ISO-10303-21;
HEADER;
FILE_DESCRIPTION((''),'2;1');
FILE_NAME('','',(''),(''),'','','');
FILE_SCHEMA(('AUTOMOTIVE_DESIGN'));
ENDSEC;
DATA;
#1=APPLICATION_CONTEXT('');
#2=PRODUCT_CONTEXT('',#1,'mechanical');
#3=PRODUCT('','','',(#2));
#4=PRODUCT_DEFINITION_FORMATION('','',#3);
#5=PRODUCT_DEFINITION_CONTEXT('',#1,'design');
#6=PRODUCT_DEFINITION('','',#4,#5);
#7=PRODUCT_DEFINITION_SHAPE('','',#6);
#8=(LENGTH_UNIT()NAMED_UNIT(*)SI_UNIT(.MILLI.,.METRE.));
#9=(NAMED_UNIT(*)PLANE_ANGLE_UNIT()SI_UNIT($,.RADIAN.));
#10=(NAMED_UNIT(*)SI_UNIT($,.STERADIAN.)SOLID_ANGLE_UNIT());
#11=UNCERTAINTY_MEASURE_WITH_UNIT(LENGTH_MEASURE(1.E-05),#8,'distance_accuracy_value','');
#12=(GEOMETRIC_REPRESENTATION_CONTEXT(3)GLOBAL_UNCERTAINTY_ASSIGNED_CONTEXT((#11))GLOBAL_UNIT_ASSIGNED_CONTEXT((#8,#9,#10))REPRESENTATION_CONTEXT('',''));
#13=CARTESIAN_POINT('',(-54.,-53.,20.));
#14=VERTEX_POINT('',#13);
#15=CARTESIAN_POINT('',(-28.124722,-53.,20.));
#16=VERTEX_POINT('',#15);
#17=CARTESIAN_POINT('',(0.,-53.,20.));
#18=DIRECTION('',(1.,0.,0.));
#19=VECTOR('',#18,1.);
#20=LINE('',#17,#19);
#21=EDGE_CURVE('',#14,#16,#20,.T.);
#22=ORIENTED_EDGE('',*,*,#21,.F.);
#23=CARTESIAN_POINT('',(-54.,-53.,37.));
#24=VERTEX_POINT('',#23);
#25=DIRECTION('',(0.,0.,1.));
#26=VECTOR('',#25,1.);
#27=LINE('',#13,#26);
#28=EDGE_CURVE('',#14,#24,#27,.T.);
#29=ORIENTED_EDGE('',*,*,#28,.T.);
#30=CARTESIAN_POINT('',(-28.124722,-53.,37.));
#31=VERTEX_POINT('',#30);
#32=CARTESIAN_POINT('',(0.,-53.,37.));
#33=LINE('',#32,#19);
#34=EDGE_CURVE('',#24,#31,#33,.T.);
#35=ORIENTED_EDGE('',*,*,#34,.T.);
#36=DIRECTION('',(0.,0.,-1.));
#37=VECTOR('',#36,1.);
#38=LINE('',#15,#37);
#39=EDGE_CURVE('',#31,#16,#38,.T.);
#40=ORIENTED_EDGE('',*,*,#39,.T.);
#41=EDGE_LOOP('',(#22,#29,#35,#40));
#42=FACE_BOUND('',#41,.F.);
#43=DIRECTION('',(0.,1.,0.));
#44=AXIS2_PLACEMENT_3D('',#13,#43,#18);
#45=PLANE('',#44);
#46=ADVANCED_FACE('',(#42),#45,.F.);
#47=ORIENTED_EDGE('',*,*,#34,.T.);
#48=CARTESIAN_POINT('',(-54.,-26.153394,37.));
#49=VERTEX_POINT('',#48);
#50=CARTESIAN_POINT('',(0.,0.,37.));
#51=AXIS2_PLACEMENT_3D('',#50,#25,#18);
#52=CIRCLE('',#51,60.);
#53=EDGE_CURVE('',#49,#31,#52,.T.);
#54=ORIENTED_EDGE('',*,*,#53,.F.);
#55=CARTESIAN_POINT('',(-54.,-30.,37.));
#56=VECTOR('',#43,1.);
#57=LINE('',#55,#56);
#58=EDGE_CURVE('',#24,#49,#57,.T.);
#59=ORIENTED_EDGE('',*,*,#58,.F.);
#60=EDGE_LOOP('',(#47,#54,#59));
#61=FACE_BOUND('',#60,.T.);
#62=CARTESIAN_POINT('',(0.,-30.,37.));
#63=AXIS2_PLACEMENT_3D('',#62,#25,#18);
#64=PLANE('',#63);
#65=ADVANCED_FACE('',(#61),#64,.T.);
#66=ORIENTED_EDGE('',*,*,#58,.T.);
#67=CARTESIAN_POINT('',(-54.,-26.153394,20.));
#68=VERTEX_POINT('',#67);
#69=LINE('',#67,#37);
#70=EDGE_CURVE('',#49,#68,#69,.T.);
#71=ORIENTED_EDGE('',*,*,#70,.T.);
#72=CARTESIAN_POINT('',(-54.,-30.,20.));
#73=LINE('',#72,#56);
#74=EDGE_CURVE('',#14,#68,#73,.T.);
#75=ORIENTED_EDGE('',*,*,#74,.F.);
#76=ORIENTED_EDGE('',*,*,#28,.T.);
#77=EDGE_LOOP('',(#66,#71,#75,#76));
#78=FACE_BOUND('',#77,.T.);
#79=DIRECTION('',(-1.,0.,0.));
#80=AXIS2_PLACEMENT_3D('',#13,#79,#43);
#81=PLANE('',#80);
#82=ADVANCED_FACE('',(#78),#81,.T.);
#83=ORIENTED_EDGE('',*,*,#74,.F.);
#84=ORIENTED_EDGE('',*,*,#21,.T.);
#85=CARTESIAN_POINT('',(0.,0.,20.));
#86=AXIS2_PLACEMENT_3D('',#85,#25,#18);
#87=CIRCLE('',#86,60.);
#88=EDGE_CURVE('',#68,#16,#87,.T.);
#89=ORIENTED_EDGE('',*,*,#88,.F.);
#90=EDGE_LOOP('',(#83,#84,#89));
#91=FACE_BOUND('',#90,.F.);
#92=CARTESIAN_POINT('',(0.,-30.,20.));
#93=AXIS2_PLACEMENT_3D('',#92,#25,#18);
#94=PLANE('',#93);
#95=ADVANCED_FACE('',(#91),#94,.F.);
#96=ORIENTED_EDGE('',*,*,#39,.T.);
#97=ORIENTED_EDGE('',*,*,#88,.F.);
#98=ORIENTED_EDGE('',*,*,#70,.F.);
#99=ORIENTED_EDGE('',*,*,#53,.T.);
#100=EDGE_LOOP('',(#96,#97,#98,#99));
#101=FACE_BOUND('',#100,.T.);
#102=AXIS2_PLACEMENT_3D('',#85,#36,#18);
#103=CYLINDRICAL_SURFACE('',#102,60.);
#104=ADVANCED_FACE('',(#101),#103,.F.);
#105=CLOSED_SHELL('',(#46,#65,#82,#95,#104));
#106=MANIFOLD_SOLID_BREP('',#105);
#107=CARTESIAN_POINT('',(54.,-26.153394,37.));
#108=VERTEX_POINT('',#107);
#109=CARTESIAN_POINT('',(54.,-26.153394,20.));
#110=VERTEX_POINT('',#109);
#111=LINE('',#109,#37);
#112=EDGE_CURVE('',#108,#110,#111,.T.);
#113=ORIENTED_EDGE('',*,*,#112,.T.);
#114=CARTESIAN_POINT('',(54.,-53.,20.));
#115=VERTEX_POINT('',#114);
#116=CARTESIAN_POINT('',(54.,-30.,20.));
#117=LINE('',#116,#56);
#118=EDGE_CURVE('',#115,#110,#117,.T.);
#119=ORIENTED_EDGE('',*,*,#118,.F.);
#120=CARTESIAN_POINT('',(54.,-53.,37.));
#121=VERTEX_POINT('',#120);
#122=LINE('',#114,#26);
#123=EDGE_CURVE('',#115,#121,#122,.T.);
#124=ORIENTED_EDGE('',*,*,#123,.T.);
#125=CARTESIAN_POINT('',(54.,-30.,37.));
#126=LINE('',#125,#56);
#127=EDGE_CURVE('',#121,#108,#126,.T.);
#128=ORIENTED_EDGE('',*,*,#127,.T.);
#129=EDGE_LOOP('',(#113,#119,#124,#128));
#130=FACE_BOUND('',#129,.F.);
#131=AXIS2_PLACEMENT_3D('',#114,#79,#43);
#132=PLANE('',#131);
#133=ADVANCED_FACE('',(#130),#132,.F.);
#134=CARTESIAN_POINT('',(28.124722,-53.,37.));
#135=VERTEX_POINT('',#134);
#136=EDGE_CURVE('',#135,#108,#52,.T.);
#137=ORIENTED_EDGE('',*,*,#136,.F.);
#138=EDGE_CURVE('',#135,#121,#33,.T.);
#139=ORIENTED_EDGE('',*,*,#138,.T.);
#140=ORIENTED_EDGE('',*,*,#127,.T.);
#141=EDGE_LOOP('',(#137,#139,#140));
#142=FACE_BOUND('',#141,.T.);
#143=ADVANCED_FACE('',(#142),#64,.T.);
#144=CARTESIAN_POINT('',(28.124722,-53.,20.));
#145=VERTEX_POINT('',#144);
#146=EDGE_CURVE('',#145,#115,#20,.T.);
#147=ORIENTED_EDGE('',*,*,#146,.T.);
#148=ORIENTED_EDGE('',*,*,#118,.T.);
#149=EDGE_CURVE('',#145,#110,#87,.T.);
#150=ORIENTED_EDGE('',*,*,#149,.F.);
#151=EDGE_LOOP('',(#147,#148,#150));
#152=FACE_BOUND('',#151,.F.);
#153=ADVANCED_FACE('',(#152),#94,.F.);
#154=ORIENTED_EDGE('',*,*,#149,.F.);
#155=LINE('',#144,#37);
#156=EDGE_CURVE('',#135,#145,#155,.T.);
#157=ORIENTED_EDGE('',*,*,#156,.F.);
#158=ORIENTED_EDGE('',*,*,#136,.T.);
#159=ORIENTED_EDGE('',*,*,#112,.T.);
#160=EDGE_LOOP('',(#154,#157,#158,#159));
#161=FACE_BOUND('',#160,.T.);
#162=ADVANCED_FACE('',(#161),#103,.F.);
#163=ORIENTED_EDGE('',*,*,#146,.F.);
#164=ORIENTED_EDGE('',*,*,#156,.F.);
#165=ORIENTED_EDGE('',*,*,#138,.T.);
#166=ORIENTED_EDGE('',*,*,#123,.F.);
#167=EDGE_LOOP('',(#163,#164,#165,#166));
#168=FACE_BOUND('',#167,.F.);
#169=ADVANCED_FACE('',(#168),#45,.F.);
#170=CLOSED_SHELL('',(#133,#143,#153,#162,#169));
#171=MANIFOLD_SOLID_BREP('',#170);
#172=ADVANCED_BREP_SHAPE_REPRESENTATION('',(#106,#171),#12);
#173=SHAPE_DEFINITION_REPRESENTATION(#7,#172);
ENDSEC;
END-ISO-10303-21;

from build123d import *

# Parameters (mm, degrees)
CYLINDER122_R               = 1.5
CYLINDER122_DEPTH           = 4
CYLINDER124_R               = 1.5
CYLINDER124_DEPTH           = 100
BOX039_W                    = 2
BOX039_H                    = 6
BOX039_DEPTH                = 6
COMPOUND158_PLACEMENT_ANGLE = 90
CYLINDER123_R               = 1.5
CYLINDER123_DEPTH           = 4
CYLINDER126_R               = 1.5
CYLINDER126_DEPTH           = 100
BOX038_W                    = 2
BOX038_H                    = 6
BOX038_DEPTH                = 6
COMPOUND159_PLACEMENT_ANGLE = 90
CYLINDER125_R               = 60
CYLINDER125_DEPTH           = 17
BOX040_W                    = 108
BOX040_H                    = 46
BOX040_DEPTH                = 17


with BuildPart() as v_lec122:
    # Cylinder122 → Cylinder122 (new body)
    with BuildSketch(Plane(origin=(-4, 3, 3), x_dir=(0, 0, -1), z_dir=(1, 0, 0))):
        Circle(CYLINDER122_R)
    extrude(amount=CYLINDER122_DEPTH)


with BuildPart() as v_lec124:
    # Cylinder124 → Cylinder124 (new body)
    with BuildSketch(Plane(origin=(2, 3, 3), x_dir=(0, 0, -1), z_dir=(1, 0, 0))):
        Circle(CYLINDER124_R)
    extrude(amount=CYLINDER124_DEPTH)


with BuildPart() as compound158:
    # Box039 → Box039 (new body)
    with BuildSketch(Plane.XY):
        with Locations((1, 3)):
            Rectangle(BOX039_W, BOX039_H)
    extrude(amount=BOX039_DEPTH)

    # Compound158: union Válec122, Válec124
    add(v_lec122.part)
    add(v_lec124.part)


with BuildPart() as compound158_1:
    # Compound158 placement: moved
    add(compound158.part.moved(Location((-54, 166, 27))).rotate(Axis((-54, 166, 27), (0, 0, -1)), COMPOUND158_PLACEMENT_ANGLE))


with BuildPart() as v_lec123:
    # Cylinder123 → Cylinder123 (new body)
    with BuildSketch(Plane(origin=(-4, 3, 3), x_dir=(0, 0, -1), z_dir=(1, 0, 0))):
        Circle(CYLINDER123_R)
    extrude(amount=CYLINDER123_DEPTH)


with BuildPart() as v_lec126:
    # Cylinder126 → Cylinder126 (new body)
    with BuildSketch(Plane(origin=(2, 3, 3), x_dir=(0, 0, -1), z_dir=(1, 0, 0))):
        Circle(CYLINDER126_R)
    extrude(amount=CYLINDER126_DEPTH)


with BuildPart() as fusion004:
    # Box038 → Box038 (new body)
    with BuildSketch(Plane.XY):
        with Locations((1, 3)):
            Rectangle(BOX038_W, BOX038_H)
    extrude(amount=BOX038_DEPTH)

    # Compound159: union Válec123, Válec126
    add(v_lec123.part)
    add(v_lec126.part)


with BuildPart() as fusion004_1:
    # Compound159 placement: moved
    add(fusion004.part.moved(Location((48, 166, 27))).rotate(Axis((48, 166, 27), (0, 0, -1)), COMPOUND159_PLACEMENT_ANGLE))

    # Fusion004: union Compound158
    add(compound158_1.part)


with BuildPart() as v_lec125:
    # Cylinder125 → Cylinder125 (new body)
    with BuildSketch(Plane.XY.offset(20)):
        Circle(CYLINDER125_R)
    extrude(amount=CYLINDER125_DEPTH)


with BuildPart() as cut059:
    # Box040 → Box040 (new body)
    with BuildSketch(Plane(origin=(-54, -53, 20), x_dir=(1, 0, 0), z_dir=(0, 0, 1))):
        with Locations((54, 23)):
            Rectangle(BOX040_W, BOX040_H)
    extrude(amount=BOX040_DEPTH)

    # Cut058: cut Válec125
    add(v_lec125.part, mode=Mode.SUBTRACT)

    # Cut059: cut Fusion004
    add(fusion004_1.part, mode=Mode.SUBTRACT)


solid = cut059.part
